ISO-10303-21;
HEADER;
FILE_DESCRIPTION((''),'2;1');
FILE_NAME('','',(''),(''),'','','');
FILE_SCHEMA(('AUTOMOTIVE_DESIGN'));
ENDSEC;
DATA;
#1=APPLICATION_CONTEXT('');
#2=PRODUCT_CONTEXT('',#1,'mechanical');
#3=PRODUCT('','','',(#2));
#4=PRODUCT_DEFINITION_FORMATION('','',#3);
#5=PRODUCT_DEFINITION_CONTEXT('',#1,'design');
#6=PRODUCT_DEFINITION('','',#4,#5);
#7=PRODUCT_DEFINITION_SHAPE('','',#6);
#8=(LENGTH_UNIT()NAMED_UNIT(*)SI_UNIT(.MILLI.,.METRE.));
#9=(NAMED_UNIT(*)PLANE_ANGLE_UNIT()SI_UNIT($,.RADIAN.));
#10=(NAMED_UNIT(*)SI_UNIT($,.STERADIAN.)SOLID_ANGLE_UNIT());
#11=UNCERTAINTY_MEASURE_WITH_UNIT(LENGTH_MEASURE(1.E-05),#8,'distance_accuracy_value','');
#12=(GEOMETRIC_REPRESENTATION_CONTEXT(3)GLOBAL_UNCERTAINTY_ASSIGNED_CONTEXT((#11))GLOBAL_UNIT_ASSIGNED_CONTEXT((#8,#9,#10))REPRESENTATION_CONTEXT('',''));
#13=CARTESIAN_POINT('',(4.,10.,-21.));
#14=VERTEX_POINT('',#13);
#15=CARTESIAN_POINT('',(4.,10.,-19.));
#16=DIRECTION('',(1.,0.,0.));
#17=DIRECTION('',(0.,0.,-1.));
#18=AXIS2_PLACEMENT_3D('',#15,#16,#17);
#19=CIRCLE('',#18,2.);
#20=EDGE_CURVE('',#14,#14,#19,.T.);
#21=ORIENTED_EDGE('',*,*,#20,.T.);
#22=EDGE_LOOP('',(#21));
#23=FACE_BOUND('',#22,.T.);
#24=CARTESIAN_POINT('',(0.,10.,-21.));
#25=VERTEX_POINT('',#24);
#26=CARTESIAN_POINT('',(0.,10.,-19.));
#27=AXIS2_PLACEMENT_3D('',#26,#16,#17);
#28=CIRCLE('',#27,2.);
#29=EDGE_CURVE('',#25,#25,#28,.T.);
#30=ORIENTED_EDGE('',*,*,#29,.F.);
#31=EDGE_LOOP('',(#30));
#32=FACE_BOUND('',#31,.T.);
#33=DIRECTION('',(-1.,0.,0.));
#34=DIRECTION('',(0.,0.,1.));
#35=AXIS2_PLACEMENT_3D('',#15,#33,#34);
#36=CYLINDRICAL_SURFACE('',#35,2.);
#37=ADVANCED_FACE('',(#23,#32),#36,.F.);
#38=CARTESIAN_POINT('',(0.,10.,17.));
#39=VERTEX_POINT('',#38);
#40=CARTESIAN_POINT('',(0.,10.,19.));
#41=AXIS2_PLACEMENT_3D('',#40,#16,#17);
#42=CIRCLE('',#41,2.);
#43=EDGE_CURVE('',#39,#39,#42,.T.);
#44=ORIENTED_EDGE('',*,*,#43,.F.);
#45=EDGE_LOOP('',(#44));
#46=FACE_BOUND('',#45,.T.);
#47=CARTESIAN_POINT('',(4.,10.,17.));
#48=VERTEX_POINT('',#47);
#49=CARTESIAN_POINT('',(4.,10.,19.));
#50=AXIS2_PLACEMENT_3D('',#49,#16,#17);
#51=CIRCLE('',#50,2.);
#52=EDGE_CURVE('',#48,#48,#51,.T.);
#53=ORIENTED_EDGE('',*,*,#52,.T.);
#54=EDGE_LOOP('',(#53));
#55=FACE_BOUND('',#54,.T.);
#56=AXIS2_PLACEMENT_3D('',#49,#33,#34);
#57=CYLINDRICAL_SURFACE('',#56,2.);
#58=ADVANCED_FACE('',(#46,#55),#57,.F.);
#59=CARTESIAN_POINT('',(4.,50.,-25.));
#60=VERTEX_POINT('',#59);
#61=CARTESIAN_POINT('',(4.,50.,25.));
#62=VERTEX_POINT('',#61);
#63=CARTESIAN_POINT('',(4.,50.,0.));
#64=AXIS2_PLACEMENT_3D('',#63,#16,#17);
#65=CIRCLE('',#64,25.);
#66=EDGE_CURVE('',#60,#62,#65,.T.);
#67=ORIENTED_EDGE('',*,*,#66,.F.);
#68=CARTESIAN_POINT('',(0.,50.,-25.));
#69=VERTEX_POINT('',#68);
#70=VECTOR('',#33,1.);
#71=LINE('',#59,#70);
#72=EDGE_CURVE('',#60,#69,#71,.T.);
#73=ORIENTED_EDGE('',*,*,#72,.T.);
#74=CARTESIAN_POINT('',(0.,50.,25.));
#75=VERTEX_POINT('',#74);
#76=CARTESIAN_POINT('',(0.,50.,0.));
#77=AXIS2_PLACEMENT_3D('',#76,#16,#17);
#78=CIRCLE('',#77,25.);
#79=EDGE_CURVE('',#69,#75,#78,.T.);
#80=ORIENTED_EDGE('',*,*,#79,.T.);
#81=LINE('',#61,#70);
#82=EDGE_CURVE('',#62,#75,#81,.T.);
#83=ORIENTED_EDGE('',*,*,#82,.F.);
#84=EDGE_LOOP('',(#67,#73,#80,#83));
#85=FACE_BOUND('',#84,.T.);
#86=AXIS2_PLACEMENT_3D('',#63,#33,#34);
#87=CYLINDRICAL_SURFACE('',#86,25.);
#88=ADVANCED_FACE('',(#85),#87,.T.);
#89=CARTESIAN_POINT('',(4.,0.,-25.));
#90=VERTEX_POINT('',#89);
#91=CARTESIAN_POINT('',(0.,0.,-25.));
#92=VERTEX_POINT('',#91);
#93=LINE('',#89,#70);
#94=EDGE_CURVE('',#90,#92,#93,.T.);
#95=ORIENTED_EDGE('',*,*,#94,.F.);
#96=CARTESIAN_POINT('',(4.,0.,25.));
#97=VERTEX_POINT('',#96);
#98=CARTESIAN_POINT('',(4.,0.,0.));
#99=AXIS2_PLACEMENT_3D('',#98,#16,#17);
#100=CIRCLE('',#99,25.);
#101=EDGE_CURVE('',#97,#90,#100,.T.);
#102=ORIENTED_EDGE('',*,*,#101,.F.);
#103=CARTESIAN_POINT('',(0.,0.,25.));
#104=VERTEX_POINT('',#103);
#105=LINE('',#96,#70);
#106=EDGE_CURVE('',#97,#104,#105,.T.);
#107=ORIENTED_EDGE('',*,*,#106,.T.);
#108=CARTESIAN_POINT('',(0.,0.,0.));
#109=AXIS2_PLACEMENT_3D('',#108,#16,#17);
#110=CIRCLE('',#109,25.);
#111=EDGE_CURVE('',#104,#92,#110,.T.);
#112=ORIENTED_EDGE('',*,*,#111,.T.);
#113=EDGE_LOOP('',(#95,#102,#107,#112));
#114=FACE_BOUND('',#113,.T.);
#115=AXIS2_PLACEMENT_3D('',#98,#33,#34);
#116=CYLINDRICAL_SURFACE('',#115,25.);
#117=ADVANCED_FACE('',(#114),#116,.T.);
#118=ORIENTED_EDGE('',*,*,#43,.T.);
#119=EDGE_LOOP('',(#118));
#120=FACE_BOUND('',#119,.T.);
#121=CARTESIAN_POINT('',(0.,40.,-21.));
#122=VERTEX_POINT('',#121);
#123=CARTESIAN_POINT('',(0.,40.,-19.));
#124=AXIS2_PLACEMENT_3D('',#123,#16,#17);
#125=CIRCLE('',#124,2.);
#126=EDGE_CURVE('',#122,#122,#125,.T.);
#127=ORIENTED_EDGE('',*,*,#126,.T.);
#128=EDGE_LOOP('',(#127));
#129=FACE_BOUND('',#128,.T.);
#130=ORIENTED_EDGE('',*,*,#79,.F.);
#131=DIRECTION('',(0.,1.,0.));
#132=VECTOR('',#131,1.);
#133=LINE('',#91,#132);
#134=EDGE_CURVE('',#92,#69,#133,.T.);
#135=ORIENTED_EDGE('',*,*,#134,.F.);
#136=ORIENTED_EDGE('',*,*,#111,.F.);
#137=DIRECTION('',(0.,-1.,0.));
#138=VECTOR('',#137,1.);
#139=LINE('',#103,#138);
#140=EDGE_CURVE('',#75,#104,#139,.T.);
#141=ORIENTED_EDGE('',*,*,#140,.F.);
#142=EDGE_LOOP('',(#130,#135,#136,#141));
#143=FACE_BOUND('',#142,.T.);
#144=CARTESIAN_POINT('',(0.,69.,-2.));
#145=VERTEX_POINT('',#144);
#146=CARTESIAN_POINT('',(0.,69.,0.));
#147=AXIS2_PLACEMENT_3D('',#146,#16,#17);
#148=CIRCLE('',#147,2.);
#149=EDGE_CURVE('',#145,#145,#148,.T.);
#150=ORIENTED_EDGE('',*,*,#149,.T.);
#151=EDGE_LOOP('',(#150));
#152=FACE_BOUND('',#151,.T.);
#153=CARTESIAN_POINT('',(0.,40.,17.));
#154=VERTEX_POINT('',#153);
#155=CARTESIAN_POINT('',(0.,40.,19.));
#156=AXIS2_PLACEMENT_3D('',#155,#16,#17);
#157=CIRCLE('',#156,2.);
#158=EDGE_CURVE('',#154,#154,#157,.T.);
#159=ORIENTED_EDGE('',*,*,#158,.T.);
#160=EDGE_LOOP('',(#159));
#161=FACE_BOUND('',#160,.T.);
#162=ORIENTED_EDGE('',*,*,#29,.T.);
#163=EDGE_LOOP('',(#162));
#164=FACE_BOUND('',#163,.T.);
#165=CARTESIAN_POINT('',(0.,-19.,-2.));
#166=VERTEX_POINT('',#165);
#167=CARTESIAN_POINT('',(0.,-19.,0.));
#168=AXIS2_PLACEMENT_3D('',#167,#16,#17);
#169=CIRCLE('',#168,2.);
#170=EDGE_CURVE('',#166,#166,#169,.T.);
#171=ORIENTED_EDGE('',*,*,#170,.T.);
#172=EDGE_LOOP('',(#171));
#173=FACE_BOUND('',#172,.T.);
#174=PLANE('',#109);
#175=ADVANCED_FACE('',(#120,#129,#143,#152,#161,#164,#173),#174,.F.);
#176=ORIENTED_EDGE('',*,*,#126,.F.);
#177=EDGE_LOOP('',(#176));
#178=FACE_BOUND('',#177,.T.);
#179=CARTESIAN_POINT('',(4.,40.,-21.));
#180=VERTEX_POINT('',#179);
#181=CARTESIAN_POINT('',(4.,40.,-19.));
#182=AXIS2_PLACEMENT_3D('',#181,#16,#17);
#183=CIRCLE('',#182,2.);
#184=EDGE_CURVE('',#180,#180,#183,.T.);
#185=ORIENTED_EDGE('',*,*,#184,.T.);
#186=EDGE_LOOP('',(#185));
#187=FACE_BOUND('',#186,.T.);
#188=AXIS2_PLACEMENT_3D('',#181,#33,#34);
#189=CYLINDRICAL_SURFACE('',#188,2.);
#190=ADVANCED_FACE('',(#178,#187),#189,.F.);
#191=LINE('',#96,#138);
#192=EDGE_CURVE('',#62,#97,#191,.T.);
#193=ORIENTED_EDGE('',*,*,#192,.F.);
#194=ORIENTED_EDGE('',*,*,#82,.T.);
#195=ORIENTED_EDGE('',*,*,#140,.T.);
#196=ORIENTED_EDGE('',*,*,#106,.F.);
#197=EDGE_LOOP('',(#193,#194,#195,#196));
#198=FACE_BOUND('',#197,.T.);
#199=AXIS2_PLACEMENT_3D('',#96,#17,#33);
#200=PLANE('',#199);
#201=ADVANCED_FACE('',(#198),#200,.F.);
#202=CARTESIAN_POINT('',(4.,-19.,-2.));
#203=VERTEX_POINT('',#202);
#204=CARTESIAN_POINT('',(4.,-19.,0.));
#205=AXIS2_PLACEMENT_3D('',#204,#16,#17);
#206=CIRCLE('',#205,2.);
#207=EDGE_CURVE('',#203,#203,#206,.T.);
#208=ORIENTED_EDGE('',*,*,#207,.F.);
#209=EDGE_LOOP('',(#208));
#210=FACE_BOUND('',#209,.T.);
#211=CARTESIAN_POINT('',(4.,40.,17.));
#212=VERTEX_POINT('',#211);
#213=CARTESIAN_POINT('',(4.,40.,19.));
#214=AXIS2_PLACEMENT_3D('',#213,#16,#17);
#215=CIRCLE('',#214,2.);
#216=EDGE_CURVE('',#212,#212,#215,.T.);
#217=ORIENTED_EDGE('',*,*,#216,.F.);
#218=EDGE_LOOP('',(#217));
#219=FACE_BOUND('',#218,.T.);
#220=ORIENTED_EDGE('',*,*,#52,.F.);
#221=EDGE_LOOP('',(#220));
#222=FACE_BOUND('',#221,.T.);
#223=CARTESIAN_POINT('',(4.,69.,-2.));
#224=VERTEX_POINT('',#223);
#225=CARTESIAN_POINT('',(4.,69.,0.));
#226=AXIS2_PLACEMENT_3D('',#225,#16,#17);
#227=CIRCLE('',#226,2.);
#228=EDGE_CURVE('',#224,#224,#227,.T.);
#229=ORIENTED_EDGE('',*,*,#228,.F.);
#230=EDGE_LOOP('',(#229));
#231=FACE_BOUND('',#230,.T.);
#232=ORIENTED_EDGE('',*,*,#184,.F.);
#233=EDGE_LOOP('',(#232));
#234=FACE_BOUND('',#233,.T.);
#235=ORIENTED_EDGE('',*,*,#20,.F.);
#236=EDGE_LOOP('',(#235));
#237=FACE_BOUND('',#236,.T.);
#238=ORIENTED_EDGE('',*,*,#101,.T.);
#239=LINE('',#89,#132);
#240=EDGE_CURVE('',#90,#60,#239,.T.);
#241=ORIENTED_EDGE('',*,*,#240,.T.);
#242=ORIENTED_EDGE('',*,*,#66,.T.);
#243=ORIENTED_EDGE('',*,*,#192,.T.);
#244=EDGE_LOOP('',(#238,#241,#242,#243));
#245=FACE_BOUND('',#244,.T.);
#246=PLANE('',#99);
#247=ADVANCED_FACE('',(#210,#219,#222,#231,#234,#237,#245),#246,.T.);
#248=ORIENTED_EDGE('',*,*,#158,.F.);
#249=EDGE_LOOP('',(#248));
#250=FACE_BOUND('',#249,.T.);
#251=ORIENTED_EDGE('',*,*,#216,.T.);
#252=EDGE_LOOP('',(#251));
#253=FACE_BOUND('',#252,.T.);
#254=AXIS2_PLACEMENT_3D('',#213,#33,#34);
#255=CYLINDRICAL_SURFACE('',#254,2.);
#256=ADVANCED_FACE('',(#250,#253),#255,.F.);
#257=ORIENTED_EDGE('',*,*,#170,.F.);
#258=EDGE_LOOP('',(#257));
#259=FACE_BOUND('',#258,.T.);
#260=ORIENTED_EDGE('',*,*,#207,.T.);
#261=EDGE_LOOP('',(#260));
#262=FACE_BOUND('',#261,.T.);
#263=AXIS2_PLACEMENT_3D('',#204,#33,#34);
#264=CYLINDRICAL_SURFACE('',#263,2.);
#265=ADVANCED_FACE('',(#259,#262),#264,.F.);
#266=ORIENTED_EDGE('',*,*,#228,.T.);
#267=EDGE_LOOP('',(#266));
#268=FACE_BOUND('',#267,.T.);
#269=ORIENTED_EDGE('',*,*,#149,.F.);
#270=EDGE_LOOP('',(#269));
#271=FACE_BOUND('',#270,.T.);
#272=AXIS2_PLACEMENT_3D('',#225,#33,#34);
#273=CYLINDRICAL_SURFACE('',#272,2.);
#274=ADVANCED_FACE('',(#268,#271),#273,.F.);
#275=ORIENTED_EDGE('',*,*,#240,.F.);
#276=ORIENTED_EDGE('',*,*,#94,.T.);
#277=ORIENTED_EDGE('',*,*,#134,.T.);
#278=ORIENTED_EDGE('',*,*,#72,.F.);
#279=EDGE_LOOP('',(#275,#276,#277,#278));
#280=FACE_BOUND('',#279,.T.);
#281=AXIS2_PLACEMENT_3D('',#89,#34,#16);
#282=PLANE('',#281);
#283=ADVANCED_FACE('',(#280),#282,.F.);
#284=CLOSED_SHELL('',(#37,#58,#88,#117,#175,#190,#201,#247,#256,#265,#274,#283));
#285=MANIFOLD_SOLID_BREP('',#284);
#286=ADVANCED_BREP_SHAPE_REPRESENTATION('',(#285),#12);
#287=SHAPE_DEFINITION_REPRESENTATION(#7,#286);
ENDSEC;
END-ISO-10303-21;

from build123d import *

# Parameters (mm, degrees)
SKETCH1_R           = 2
BOSS_EXTRUDE1_DEPTH = 4


with BuildPart() as part:
    # Sketch1 → Boss-Extrude1 (new body)
    with BuildSketch(Plane.YZ):
        with BuildLine():
            Line((0, 25), (50, 25))
            ThreePointArc((50, 25), (75, 0), (50, -25))
            Line((50, -25), (0, -25))
            ThreePointArc((0, -25), (-25, 0), (0, 25))
        make_face()
        with Locations(Location((10, 19, 0), (0, 0, 270))):
            Circle(SKETCH1_R, mode=Mode.SUBTRACT)
        with Locations(Location((40, 19, 0), (0, 0, 270))):
            Circle(SKETCH1_R, mode=Mode.SUBTRACT)
        with Locations(Location((69, 0, 0), (0, 0, 270))):
            Circle(SKETCH1_R, mode=Mode.SUBTRACT)
        with Locations(Location((-19, 0, 0), (0, 0, 270))):
            Circle(SKETCH1_R, mode=Mode.SUBTRACT)
        with Locations(Location((10, -19, 0), (0, 0, 270))):
            Circle(SKETCH1_R, mode=Mode.SUBTRACT)
        with Locations(Location((40, -19, 0), (0, 0, 270))):
            Circle(SKETCH1_R, mode=Mode.SUBTRACT)
    extrude(amount=BOSS_EXTRUDE1_DEPTH)


solid = part.part
